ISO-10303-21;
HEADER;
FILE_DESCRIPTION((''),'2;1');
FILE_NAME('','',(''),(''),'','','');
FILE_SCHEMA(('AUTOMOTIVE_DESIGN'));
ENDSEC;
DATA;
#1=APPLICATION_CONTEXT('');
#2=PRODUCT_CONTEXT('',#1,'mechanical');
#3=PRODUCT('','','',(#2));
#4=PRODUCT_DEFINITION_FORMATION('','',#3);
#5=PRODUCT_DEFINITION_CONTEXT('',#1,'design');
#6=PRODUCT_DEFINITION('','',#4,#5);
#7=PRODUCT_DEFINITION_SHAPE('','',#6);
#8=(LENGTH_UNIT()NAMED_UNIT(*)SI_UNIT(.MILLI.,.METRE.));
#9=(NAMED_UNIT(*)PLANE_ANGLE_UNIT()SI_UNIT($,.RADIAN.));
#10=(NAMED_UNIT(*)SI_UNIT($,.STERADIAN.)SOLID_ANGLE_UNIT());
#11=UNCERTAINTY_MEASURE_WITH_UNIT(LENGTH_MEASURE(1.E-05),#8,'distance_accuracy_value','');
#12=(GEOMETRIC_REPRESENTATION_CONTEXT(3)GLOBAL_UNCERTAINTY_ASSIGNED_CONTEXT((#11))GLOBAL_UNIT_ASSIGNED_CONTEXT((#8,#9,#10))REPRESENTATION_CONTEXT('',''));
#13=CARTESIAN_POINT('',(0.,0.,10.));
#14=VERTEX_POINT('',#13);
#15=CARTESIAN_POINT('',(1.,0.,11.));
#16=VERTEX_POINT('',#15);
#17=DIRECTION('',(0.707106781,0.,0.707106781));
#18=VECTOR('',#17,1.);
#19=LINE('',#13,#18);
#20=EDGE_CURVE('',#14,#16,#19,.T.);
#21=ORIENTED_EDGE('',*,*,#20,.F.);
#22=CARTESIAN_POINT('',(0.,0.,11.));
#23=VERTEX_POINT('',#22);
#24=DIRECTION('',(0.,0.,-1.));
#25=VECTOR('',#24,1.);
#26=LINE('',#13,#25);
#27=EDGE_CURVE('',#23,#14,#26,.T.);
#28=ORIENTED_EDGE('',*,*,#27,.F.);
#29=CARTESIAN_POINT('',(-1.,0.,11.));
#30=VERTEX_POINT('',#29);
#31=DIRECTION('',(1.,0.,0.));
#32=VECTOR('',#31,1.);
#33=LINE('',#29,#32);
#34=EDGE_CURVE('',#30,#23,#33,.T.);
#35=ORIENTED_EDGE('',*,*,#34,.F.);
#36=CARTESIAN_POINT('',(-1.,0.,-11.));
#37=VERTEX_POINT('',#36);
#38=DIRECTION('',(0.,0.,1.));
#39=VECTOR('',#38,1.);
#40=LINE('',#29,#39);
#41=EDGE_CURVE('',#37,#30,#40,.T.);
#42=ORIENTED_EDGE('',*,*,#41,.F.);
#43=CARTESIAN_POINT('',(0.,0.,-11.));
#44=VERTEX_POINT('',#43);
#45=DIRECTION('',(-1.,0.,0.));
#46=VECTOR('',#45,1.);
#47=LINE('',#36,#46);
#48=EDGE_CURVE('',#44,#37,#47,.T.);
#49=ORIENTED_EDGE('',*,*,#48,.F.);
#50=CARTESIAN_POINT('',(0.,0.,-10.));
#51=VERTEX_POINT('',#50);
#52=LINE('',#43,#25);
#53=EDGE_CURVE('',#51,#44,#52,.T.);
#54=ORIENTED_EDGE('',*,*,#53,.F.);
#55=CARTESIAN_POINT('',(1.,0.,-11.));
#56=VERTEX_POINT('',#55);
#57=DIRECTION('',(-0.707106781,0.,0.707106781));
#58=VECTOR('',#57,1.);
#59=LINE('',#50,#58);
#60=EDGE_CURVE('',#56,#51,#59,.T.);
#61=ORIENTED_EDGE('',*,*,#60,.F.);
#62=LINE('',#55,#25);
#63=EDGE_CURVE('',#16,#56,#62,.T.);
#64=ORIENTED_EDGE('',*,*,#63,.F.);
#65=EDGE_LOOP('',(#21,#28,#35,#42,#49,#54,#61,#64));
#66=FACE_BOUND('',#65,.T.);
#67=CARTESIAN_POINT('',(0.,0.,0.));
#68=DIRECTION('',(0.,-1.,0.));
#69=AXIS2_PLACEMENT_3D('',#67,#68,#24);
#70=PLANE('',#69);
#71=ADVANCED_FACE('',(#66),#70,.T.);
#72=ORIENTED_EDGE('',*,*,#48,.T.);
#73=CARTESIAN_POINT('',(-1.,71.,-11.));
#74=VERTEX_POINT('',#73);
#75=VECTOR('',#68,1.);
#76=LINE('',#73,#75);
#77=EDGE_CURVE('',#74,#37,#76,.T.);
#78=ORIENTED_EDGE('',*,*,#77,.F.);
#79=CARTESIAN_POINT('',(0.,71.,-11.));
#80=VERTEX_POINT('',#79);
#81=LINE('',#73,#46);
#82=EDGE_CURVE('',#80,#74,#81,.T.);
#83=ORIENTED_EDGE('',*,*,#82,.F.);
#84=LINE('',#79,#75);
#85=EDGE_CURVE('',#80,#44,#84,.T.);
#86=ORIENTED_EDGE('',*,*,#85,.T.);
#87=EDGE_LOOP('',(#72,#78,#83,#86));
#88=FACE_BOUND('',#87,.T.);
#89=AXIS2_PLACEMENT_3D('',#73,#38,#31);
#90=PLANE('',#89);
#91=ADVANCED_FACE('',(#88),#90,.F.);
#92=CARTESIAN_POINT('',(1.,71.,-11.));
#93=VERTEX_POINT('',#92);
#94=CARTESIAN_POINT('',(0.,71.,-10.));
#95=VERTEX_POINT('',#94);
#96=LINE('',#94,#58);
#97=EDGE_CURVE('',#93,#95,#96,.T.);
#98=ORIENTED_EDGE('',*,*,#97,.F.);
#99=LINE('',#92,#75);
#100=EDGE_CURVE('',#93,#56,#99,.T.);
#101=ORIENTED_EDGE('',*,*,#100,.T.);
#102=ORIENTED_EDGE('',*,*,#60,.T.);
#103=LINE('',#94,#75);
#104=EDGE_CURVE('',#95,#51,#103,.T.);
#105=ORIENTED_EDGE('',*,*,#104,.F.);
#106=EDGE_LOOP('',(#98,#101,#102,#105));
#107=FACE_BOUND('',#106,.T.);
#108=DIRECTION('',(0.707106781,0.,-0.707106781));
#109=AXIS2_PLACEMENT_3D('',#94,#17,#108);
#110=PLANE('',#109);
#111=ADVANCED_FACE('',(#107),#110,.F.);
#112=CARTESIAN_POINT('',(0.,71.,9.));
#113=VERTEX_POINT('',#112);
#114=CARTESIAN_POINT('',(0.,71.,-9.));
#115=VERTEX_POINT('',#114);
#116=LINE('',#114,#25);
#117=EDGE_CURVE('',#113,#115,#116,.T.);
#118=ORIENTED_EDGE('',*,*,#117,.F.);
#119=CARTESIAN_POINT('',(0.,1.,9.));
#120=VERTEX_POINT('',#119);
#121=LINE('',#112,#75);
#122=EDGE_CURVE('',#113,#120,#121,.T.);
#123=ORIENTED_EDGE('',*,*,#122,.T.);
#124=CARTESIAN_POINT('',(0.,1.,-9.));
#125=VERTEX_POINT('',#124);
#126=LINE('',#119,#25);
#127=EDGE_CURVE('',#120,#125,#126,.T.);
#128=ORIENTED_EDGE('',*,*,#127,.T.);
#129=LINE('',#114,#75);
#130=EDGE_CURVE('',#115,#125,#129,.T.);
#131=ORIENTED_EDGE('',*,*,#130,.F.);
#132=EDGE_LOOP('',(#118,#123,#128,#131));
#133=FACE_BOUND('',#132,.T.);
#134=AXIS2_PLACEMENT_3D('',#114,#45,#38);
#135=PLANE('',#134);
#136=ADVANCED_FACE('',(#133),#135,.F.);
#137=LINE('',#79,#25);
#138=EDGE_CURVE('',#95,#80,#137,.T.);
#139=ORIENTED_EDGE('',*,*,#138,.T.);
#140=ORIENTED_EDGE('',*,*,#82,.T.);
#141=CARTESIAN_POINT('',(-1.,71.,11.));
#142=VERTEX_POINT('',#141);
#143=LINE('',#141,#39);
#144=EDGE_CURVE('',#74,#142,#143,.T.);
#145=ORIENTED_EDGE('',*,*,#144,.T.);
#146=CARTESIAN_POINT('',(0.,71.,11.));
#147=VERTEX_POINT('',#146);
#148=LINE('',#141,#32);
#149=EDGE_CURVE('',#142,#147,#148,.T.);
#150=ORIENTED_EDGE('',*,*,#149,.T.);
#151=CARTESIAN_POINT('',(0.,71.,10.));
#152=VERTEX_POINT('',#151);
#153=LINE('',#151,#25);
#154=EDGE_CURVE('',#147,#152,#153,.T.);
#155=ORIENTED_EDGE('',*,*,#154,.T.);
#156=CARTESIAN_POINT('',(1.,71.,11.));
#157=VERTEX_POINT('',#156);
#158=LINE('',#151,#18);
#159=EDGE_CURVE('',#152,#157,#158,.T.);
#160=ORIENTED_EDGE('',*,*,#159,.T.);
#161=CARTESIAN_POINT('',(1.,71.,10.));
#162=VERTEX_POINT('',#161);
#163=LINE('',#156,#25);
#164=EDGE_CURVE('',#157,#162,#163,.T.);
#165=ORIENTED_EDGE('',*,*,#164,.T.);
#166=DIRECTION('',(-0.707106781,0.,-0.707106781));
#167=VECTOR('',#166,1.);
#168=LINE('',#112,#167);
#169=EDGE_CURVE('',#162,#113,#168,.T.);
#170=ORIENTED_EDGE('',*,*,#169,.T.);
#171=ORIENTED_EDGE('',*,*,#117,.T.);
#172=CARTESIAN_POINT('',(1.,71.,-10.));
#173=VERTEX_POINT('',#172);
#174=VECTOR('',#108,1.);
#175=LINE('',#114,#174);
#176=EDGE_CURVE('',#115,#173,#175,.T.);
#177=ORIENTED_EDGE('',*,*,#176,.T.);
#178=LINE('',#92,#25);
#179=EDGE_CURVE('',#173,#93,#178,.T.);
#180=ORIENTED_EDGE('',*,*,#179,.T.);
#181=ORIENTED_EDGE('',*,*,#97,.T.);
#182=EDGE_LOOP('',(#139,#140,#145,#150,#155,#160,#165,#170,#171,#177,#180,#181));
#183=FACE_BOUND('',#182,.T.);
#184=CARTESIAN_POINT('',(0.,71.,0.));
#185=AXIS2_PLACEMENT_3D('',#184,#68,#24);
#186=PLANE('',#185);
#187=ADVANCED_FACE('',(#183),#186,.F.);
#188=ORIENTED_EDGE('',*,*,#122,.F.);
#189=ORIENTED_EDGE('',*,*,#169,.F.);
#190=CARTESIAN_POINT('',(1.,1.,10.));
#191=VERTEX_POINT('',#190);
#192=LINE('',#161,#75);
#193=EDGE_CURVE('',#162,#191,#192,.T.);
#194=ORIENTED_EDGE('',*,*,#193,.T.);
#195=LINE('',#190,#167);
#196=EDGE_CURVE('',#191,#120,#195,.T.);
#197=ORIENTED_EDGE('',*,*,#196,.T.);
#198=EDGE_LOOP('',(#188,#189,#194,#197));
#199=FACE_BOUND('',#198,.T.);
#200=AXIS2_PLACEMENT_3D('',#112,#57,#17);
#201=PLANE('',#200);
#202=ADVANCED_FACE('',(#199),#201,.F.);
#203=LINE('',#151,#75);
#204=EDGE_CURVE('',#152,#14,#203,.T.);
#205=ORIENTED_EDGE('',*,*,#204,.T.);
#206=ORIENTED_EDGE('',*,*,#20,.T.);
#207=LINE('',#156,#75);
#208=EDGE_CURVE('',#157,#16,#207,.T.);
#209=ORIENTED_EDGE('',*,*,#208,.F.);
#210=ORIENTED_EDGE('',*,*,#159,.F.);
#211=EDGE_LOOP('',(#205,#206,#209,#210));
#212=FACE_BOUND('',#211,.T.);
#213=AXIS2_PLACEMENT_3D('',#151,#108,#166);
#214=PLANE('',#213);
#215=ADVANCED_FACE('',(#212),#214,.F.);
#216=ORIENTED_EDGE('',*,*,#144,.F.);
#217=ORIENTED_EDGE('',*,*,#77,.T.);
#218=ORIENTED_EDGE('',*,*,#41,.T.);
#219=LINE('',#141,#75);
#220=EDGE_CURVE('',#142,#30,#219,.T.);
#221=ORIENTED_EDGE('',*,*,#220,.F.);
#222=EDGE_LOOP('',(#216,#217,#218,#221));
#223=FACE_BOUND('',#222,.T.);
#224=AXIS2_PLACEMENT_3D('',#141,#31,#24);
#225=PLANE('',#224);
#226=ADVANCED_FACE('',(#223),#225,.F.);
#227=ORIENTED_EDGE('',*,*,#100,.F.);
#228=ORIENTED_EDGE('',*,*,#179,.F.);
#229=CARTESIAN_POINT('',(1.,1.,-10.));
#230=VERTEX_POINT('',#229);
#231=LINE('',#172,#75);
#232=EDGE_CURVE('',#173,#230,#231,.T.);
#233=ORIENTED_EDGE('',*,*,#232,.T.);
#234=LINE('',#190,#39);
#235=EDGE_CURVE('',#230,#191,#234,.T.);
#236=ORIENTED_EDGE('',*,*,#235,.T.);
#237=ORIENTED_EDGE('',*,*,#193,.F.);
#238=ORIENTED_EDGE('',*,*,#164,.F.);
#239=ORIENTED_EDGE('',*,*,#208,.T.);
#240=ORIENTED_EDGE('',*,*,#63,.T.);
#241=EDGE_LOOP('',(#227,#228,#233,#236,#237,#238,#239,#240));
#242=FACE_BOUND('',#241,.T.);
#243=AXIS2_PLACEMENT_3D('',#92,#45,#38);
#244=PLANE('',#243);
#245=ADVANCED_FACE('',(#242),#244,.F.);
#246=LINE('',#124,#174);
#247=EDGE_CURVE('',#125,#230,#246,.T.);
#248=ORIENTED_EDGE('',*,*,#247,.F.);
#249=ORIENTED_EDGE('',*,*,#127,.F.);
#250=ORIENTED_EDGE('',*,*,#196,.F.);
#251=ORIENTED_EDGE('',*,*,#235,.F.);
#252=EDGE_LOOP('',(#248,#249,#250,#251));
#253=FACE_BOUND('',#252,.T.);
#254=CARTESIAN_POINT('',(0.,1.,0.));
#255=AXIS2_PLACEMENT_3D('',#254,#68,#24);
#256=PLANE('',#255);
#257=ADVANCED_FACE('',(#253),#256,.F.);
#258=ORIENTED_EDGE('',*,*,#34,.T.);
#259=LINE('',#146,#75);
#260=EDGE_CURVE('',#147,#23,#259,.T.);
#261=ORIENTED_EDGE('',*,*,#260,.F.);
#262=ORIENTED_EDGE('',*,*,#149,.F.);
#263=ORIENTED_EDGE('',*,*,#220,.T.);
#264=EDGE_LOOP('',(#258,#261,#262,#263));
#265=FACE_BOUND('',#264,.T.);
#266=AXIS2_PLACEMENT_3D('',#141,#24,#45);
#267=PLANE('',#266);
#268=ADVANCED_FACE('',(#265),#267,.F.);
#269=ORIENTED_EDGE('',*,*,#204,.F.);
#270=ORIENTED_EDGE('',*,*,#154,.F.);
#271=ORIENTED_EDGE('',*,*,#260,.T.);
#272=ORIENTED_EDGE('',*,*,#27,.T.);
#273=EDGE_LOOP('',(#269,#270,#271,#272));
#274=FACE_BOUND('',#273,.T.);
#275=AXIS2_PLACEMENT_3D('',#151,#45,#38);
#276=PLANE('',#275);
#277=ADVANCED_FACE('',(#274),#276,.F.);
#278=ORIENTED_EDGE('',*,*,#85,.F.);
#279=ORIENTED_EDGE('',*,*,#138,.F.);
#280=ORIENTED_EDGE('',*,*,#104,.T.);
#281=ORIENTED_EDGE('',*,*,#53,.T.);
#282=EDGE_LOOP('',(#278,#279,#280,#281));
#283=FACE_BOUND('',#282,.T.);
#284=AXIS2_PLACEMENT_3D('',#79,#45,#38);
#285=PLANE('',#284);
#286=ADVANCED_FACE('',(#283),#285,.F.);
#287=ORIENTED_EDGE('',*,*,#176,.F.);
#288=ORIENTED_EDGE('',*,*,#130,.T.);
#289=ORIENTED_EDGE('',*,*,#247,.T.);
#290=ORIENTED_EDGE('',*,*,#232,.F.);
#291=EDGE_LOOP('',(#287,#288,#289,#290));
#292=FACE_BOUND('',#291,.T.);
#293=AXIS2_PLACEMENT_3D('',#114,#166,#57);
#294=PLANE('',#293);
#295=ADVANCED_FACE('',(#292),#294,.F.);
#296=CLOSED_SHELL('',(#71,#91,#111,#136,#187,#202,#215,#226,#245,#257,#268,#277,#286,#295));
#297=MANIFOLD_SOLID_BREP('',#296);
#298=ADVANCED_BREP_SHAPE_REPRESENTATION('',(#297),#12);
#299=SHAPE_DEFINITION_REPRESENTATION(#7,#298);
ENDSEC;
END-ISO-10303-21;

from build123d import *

# Parameters (mm, degrees)
EXTRUDE_1_DEPTH = 71
EXTRUDE_2_DEPTH = 1


with BuildPart() as part:
    # 草图2 → 凸台-拉伸1 (new body)
    with BuildSketch(Plane(origin=(0, 0, 0), x_dir=(1, 0, 0), z_dir=(0, 1, 0))):
        Polygon((-1, 11), (0, 11), (0, 10), (1, 11), (1, 10), (0, 9), (0, -9), (1, -10), (1, -11), (0, -10), (0, -11), (-1, -11), align=None)
    extrude(amount=EXTRUDE_1_DEPTH)

    # 草图3 → 凸台-拉伸2 (add)
    with BuildSketch(Plane.XZ):
        Polygon((1, 10), (1, -10), (0, -9), (0, 9), align=None)
    extrude(amount=-EXTRUDE_2_DEPTH)


solid = part.part
